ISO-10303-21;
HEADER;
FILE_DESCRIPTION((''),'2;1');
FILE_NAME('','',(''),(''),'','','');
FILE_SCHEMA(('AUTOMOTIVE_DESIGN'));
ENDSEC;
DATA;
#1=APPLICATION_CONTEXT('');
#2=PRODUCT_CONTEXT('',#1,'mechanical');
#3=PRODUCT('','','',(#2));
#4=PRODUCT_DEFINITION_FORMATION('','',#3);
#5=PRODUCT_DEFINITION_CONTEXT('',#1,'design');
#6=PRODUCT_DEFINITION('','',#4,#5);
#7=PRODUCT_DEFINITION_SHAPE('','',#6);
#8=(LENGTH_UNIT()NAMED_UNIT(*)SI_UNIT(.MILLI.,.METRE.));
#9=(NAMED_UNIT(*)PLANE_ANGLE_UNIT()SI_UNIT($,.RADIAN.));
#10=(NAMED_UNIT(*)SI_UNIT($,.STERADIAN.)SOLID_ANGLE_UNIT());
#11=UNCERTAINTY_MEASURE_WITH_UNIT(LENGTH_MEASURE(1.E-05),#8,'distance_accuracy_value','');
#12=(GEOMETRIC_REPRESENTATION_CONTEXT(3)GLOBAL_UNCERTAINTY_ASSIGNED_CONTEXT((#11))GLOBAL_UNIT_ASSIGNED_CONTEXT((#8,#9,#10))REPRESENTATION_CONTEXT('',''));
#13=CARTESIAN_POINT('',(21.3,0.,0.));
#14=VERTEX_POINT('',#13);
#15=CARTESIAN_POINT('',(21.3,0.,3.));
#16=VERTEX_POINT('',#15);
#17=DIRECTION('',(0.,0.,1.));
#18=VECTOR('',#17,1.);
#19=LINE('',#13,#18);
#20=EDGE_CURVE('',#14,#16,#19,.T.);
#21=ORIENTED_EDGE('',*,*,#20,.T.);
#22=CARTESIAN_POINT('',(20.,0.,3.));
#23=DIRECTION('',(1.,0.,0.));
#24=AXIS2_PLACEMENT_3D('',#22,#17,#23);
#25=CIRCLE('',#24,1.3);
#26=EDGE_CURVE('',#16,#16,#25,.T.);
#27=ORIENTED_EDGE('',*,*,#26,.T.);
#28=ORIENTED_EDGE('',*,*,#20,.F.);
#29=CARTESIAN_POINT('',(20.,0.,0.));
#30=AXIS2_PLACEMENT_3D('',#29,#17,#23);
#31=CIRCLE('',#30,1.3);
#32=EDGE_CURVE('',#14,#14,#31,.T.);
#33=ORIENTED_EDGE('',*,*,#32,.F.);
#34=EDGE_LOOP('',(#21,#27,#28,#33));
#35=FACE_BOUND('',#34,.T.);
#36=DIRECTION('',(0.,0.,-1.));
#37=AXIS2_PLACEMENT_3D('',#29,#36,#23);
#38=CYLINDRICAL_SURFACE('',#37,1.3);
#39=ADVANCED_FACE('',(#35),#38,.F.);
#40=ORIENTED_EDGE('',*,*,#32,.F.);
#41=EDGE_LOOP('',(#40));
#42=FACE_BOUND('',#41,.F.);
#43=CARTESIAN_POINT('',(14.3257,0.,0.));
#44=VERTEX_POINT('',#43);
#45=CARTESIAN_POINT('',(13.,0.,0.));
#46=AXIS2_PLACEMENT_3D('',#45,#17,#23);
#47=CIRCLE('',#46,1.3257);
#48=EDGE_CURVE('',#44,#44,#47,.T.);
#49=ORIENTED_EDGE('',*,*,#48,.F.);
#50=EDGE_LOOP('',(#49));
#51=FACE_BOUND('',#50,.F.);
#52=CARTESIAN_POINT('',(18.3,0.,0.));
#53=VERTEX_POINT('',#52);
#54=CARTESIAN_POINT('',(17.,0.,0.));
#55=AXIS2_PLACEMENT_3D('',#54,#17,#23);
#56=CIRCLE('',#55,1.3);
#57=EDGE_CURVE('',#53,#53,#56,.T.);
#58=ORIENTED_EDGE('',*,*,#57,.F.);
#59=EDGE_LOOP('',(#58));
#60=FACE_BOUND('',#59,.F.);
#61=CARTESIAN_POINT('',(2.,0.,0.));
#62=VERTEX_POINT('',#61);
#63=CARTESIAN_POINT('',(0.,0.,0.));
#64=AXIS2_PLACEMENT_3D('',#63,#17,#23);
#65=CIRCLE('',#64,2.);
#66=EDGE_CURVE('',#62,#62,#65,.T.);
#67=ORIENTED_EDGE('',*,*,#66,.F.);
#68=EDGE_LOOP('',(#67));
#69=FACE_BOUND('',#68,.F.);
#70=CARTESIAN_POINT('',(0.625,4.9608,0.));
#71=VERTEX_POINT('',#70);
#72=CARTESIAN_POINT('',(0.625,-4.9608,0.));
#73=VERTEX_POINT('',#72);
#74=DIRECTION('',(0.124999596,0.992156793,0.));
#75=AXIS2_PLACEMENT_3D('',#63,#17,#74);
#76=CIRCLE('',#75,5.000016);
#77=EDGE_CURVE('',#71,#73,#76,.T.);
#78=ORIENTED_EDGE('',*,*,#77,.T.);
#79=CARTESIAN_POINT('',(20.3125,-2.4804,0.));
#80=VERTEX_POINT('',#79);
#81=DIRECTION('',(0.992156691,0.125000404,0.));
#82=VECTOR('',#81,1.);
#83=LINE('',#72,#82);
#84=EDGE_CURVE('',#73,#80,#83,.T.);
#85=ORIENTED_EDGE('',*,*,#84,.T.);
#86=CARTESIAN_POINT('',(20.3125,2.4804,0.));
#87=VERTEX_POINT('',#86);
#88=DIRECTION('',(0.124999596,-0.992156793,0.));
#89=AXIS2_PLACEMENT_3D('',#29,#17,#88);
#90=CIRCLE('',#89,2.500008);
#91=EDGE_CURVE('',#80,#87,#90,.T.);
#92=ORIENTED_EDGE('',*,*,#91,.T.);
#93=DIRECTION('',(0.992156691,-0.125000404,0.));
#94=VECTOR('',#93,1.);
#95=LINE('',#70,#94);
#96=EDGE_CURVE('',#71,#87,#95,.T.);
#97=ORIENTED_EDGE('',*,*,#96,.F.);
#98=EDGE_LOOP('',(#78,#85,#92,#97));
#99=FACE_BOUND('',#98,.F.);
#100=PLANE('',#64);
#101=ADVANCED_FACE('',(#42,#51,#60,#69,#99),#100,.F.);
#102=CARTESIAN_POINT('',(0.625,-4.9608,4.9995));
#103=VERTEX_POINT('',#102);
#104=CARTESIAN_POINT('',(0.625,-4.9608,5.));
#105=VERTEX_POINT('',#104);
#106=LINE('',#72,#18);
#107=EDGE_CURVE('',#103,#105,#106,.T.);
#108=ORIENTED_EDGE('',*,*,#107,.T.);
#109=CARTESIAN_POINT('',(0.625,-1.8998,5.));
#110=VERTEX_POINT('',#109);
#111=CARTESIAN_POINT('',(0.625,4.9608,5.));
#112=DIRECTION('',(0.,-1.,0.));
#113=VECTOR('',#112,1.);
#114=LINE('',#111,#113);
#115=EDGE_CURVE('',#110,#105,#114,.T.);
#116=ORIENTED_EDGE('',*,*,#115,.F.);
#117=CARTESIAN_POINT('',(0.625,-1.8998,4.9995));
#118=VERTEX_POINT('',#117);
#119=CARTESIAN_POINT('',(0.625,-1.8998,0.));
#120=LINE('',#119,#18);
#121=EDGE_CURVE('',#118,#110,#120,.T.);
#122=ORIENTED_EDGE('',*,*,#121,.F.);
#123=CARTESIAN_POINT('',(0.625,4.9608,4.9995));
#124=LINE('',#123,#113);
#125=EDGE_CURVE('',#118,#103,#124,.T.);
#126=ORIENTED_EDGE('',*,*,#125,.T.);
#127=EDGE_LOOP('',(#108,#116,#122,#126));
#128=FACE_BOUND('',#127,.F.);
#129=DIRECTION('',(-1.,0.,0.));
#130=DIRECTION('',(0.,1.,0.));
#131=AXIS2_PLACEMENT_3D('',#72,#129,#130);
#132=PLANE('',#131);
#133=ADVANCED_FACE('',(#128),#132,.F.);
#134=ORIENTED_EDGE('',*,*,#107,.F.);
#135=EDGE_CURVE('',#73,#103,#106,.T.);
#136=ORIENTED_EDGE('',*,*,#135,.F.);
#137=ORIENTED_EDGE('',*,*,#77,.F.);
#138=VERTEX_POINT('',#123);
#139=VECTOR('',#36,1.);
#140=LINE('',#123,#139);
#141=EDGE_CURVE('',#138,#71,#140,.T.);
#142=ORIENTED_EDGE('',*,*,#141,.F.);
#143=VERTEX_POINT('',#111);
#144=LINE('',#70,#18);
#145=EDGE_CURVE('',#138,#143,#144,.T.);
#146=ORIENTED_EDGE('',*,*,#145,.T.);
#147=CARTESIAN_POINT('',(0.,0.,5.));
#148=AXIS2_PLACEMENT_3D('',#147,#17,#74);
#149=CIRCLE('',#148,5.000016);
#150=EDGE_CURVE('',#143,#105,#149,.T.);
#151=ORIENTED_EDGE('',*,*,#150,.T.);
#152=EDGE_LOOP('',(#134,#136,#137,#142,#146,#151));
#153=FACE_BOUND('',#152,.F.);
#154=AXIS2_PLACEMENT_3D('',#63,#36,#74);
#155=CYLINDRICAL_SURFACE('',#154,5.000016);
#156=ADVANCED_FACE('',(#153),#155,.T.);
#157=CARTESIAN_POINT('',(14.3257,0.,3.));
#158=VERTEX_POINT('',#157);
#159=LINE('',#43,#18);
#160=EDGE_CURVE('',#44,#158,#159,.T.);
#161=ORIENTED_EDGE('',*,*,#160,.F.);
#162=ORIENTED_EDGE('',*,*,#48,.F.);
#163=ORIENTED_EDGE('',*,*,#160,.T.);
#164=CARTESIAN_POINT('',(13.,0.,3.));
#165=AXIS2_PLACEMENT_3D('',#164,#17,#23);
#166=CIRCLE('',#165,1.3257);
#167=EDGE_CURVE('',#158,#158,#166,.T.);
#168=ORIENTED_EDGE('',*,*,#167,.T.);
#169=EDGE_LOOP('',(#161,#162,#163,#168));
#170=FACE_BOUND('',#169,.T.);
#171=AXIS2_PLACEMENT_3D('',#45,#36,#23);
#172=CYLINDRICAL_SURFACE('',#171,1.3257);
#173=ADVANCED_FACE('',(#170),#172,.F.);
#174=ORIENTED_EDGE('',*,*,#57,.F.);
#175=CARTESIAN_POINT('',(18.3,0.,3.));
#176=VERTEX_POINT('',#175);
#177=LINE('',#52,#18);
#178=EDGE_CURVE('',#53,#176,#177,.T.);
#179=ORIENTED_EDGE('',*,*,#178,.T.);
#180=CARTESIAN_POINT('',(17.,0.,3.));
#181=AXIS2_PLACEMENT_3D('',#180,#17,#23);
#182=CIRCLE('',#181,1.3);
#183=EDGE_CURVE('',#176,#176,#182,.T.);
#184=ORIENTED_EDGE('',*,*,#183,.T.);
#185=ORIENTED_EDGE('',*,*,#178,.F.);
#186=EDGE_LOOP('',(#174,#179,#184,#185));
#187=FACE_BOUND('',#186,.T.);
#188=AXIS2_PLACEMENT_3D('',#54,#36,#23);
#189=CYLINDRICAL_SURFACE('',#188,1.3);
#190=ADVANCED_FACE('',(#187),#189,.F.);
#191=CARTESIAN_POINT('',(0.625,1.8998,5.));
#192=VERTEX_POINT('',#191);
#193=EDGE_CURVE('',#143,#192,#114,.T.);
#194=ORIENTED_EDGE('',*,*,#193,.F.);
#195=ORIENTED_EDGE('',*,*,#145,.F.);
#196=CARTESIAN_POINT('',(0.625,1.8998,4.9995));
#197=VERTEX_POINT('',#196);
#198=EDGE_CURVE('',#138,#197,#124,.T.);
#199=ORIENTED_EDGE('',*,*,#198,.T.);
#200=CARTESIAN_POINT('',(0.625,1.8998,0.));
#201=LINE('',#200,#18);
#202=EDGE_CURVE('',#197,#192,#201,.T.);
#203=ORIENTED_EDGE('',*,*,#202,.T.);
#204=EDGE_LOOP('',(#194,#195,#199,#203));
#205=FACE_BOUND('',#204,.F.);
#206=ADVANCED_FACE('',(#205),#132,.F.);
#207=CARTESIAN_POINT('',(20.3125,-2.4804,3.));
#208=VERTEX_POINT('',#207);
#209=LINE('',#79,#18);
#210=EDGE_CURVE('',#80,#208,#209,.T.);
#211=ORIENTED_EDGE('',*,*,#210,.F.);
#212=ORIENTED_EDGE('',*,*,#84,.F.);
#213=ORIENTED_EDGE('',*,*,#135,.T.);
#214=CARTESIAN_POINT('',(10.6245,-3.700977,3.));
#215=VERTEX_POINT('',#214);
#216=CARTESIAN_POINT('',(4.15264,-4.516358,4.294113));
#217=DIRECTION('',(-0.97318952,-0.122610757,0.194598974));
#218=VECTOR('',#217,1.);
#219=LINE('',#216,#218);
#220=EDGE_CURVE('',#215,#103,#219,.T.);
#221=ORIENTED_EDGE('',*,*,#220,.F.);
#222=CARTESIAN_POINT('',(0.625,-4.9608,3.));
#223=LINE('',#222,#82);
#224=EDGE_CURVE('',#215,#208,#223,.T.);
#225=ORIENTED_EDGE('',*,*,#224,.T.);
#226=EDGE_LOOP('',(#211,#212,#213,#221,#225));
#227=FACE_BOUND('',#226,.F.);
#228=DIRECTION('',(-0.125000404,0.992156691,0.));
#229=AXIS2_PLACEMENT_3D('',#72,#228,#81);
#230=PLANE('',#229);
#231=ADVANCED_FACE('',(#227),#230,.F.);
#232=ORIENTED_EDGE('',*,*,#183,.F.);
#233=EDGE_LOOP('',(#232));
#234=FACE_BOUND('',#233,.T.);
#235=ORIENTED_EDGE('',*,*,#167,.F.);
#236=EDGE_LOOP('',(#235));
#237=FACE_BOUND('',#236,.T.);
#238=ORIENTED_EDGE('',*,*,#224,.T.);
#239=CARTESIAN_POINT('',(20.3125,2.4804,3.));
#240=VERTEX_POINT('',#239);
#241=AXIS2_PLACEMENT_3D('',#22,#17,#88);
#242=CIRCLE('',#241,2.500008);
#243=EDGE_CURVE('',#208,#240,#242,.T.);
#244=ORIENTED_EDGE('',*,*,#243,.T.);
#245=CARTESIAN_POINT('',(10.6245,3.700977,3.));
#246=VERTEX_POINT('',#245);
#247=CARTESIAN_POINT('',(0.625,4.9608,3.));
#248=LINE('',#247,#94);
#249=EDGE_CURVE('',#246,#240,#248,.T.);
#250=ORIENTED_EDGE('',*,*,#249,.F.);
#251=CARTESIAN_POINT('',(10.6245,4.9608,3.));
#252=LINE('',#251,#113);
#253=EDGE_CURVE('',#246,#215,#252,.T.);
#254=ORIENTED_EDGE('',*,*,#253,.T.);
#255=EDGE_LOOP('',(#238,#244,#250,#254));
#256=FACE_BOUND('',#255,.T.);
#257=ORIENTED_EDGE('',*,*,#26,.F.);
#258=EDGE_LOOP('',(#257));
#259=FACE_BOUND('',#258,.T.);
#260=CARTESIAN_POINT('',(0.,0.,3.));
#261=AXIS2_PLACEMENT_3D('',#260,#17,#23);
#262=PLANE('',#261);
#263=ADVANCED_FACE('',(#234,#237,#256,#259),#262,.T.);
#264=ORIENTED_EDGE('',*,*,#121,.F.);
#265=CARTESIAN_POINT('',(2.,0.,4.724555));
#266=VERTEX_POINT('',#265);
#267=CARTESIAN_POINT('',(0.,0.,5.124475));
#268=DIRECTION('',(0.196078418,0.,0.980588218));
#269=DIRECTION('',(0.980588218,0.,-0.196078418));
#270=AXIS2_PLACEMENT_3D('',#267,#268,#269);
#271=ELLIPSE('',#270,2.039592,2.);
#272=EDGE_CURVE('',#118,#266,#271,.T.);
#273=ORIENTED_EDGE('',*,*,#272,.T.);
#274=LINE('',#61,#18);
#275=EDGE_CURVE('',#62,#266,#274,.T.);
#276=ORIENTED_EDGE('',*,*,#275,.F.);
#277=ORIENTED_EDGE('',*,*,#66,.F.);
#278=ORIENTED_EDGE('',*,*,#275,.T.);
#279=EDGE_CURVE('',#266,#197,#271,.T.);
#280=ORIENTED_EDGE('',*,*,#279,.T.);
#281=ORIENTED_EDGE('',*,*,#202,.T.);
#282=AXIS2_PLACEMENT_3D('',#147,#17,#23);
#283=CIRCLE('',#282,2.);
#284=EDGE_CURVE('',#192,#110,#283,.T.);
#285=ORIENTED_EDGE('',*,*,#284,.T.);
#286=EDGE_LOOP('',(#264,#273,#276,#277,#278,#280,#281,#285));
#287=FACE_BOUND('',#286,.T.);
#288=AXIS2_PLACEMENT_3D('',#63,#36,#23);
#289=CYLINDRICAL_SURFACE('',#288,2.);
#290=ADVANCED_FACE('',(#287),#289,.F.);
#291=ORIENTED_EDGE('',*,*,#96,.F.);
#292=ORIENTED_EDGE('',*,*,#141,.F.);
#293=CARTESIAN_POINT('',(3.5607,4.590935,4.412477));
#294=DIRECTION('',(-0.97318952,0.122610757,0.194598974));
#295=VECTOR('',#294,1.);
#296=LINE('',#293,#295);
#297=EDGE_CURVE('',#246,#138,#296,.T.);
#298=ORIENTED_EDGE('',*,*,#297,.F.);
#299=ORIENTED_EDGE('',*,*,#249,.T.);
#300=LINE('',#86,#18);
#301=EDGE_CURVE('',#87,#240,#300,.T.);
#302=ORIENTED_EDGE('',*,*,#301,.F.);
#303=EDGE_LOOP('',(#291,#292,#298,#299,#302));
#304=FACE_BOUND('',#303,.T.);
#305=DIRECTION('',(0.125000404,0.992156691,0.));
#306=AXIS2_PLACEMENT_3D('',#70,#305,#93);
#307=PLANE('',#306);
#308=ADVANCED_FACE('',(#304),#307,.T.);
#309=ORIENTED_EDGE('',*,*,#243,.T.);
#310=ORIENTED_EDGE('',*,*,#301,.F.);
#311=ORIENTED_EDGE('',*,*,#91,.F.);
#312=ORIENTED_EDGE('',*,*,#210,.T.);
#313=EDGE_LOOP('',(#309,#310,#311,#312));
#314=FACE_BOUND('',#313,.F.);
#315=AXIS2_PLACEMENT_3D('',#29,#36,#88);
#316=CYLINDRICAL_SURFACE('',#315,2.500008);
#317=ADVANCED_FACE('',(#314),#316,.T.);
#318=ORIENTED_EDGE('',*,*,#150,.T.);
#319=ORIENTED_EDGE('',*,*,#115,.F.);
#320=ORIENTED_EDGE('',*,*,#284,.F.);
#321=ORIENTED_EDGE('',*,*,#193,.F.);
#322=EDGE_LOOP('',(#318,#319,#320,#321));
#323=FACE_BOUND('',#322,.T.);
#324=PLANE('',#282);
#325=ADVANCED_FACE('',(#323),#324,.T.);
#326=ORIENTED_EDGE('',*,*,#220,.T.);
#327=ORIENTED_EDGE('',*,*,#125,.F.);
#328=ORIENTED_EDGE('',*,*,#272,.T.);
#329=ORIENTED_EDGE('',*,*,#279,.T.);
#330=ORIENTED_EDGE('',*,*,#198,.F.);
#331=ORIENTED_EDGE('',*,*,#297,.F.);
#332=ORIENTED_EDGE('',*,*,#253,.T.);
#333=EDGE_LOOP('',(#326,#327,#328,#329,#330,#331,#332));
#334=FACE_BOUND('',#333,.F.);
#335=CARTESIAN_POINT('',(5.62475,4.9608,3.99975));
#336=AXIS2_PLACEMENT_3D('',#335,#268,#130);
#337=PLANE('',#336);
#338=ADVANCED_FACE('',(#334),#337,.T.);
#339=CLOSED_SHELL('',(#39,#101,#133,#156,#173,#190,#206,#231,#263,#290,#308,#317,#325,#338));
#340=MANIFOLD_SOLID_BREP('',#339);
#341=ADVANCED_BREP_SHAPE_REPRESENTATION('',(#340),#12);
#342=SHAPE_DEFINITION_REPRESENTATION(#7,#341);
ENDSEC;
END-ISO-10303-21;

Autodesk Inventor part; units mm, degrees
ref_plane "YZ Plane" through (0, 0, 0) normal (1, 0, 0) x (0, 1, 0)
ref_plane "XZ Plane" through (0, 0, 0) normal (0, 1, 0) x (-1, 0, 0)
ref_plane "XY Plane" through (0, 0, 0) normal (0, 0, 1) x (1, 0, 0)
sketch "Skizze1" plane through (0, 0, 0) normal (0, 0, 1) x (1, 0, 0)
  line L0 (0, 7) -> (0, -7) construction
  line L1 (-10.5, 0) -> (28, 0) construction
  circle A0 centre (0, 0) radius 2
  circle A1 centre (13, 0) radius 1.3257
  circle A2 centre (17, 0) radius 1.3
  circle A3 centre (20, 0) radius 1.3
  arc A4 (20.3125, -2.4804) -> (20.3125, 2.4804) centre (20, 0) ccw
  arc A5 (0.625, 4.9608) -> (0.625, -4.9608) centre (0, 0) ccw
  line L2 (0.625, 4.9608) -> (20.3125, 2.4804)
  line L3 (0.625, -4.9608) -> (20.3125, -2.4804)
  line L4 (0.625, -4.9608) -> (0.625, -1.8998)
  line L5 (0.625, 1.8998) -> (0.625, 4.9608)
  line L6 (0.625, 1.8998) -> (0.625, -1.8998)
  dimension "d0" = 13
  dimension "d1" = 17
  dimension "d2" = 20
  dimension "d3" = 5
  dimension "d4" = 2.6
  dimension "d5" = 4
  dimension "d6" = 10
extrude "Extrusion1" add sketch "Skizze1" along normal blind 3
extrude "Extrusion2" add sketch "Skizze1" along normal blind 5 contours L6 A0 | A0 L4 A5 L5 picked at (-0.25, 0)
chamfer "Fase1" distance 10 distance2 2 1 edges at (0.625, 0, 3) measured on face at (4.3081, 0, 3)
extrude "Extrusion3" cut sketch "Skizze1" along normal blind 5 contours A0 L6 | L6 A0
properties part number "Servo-Arm-20mm"
